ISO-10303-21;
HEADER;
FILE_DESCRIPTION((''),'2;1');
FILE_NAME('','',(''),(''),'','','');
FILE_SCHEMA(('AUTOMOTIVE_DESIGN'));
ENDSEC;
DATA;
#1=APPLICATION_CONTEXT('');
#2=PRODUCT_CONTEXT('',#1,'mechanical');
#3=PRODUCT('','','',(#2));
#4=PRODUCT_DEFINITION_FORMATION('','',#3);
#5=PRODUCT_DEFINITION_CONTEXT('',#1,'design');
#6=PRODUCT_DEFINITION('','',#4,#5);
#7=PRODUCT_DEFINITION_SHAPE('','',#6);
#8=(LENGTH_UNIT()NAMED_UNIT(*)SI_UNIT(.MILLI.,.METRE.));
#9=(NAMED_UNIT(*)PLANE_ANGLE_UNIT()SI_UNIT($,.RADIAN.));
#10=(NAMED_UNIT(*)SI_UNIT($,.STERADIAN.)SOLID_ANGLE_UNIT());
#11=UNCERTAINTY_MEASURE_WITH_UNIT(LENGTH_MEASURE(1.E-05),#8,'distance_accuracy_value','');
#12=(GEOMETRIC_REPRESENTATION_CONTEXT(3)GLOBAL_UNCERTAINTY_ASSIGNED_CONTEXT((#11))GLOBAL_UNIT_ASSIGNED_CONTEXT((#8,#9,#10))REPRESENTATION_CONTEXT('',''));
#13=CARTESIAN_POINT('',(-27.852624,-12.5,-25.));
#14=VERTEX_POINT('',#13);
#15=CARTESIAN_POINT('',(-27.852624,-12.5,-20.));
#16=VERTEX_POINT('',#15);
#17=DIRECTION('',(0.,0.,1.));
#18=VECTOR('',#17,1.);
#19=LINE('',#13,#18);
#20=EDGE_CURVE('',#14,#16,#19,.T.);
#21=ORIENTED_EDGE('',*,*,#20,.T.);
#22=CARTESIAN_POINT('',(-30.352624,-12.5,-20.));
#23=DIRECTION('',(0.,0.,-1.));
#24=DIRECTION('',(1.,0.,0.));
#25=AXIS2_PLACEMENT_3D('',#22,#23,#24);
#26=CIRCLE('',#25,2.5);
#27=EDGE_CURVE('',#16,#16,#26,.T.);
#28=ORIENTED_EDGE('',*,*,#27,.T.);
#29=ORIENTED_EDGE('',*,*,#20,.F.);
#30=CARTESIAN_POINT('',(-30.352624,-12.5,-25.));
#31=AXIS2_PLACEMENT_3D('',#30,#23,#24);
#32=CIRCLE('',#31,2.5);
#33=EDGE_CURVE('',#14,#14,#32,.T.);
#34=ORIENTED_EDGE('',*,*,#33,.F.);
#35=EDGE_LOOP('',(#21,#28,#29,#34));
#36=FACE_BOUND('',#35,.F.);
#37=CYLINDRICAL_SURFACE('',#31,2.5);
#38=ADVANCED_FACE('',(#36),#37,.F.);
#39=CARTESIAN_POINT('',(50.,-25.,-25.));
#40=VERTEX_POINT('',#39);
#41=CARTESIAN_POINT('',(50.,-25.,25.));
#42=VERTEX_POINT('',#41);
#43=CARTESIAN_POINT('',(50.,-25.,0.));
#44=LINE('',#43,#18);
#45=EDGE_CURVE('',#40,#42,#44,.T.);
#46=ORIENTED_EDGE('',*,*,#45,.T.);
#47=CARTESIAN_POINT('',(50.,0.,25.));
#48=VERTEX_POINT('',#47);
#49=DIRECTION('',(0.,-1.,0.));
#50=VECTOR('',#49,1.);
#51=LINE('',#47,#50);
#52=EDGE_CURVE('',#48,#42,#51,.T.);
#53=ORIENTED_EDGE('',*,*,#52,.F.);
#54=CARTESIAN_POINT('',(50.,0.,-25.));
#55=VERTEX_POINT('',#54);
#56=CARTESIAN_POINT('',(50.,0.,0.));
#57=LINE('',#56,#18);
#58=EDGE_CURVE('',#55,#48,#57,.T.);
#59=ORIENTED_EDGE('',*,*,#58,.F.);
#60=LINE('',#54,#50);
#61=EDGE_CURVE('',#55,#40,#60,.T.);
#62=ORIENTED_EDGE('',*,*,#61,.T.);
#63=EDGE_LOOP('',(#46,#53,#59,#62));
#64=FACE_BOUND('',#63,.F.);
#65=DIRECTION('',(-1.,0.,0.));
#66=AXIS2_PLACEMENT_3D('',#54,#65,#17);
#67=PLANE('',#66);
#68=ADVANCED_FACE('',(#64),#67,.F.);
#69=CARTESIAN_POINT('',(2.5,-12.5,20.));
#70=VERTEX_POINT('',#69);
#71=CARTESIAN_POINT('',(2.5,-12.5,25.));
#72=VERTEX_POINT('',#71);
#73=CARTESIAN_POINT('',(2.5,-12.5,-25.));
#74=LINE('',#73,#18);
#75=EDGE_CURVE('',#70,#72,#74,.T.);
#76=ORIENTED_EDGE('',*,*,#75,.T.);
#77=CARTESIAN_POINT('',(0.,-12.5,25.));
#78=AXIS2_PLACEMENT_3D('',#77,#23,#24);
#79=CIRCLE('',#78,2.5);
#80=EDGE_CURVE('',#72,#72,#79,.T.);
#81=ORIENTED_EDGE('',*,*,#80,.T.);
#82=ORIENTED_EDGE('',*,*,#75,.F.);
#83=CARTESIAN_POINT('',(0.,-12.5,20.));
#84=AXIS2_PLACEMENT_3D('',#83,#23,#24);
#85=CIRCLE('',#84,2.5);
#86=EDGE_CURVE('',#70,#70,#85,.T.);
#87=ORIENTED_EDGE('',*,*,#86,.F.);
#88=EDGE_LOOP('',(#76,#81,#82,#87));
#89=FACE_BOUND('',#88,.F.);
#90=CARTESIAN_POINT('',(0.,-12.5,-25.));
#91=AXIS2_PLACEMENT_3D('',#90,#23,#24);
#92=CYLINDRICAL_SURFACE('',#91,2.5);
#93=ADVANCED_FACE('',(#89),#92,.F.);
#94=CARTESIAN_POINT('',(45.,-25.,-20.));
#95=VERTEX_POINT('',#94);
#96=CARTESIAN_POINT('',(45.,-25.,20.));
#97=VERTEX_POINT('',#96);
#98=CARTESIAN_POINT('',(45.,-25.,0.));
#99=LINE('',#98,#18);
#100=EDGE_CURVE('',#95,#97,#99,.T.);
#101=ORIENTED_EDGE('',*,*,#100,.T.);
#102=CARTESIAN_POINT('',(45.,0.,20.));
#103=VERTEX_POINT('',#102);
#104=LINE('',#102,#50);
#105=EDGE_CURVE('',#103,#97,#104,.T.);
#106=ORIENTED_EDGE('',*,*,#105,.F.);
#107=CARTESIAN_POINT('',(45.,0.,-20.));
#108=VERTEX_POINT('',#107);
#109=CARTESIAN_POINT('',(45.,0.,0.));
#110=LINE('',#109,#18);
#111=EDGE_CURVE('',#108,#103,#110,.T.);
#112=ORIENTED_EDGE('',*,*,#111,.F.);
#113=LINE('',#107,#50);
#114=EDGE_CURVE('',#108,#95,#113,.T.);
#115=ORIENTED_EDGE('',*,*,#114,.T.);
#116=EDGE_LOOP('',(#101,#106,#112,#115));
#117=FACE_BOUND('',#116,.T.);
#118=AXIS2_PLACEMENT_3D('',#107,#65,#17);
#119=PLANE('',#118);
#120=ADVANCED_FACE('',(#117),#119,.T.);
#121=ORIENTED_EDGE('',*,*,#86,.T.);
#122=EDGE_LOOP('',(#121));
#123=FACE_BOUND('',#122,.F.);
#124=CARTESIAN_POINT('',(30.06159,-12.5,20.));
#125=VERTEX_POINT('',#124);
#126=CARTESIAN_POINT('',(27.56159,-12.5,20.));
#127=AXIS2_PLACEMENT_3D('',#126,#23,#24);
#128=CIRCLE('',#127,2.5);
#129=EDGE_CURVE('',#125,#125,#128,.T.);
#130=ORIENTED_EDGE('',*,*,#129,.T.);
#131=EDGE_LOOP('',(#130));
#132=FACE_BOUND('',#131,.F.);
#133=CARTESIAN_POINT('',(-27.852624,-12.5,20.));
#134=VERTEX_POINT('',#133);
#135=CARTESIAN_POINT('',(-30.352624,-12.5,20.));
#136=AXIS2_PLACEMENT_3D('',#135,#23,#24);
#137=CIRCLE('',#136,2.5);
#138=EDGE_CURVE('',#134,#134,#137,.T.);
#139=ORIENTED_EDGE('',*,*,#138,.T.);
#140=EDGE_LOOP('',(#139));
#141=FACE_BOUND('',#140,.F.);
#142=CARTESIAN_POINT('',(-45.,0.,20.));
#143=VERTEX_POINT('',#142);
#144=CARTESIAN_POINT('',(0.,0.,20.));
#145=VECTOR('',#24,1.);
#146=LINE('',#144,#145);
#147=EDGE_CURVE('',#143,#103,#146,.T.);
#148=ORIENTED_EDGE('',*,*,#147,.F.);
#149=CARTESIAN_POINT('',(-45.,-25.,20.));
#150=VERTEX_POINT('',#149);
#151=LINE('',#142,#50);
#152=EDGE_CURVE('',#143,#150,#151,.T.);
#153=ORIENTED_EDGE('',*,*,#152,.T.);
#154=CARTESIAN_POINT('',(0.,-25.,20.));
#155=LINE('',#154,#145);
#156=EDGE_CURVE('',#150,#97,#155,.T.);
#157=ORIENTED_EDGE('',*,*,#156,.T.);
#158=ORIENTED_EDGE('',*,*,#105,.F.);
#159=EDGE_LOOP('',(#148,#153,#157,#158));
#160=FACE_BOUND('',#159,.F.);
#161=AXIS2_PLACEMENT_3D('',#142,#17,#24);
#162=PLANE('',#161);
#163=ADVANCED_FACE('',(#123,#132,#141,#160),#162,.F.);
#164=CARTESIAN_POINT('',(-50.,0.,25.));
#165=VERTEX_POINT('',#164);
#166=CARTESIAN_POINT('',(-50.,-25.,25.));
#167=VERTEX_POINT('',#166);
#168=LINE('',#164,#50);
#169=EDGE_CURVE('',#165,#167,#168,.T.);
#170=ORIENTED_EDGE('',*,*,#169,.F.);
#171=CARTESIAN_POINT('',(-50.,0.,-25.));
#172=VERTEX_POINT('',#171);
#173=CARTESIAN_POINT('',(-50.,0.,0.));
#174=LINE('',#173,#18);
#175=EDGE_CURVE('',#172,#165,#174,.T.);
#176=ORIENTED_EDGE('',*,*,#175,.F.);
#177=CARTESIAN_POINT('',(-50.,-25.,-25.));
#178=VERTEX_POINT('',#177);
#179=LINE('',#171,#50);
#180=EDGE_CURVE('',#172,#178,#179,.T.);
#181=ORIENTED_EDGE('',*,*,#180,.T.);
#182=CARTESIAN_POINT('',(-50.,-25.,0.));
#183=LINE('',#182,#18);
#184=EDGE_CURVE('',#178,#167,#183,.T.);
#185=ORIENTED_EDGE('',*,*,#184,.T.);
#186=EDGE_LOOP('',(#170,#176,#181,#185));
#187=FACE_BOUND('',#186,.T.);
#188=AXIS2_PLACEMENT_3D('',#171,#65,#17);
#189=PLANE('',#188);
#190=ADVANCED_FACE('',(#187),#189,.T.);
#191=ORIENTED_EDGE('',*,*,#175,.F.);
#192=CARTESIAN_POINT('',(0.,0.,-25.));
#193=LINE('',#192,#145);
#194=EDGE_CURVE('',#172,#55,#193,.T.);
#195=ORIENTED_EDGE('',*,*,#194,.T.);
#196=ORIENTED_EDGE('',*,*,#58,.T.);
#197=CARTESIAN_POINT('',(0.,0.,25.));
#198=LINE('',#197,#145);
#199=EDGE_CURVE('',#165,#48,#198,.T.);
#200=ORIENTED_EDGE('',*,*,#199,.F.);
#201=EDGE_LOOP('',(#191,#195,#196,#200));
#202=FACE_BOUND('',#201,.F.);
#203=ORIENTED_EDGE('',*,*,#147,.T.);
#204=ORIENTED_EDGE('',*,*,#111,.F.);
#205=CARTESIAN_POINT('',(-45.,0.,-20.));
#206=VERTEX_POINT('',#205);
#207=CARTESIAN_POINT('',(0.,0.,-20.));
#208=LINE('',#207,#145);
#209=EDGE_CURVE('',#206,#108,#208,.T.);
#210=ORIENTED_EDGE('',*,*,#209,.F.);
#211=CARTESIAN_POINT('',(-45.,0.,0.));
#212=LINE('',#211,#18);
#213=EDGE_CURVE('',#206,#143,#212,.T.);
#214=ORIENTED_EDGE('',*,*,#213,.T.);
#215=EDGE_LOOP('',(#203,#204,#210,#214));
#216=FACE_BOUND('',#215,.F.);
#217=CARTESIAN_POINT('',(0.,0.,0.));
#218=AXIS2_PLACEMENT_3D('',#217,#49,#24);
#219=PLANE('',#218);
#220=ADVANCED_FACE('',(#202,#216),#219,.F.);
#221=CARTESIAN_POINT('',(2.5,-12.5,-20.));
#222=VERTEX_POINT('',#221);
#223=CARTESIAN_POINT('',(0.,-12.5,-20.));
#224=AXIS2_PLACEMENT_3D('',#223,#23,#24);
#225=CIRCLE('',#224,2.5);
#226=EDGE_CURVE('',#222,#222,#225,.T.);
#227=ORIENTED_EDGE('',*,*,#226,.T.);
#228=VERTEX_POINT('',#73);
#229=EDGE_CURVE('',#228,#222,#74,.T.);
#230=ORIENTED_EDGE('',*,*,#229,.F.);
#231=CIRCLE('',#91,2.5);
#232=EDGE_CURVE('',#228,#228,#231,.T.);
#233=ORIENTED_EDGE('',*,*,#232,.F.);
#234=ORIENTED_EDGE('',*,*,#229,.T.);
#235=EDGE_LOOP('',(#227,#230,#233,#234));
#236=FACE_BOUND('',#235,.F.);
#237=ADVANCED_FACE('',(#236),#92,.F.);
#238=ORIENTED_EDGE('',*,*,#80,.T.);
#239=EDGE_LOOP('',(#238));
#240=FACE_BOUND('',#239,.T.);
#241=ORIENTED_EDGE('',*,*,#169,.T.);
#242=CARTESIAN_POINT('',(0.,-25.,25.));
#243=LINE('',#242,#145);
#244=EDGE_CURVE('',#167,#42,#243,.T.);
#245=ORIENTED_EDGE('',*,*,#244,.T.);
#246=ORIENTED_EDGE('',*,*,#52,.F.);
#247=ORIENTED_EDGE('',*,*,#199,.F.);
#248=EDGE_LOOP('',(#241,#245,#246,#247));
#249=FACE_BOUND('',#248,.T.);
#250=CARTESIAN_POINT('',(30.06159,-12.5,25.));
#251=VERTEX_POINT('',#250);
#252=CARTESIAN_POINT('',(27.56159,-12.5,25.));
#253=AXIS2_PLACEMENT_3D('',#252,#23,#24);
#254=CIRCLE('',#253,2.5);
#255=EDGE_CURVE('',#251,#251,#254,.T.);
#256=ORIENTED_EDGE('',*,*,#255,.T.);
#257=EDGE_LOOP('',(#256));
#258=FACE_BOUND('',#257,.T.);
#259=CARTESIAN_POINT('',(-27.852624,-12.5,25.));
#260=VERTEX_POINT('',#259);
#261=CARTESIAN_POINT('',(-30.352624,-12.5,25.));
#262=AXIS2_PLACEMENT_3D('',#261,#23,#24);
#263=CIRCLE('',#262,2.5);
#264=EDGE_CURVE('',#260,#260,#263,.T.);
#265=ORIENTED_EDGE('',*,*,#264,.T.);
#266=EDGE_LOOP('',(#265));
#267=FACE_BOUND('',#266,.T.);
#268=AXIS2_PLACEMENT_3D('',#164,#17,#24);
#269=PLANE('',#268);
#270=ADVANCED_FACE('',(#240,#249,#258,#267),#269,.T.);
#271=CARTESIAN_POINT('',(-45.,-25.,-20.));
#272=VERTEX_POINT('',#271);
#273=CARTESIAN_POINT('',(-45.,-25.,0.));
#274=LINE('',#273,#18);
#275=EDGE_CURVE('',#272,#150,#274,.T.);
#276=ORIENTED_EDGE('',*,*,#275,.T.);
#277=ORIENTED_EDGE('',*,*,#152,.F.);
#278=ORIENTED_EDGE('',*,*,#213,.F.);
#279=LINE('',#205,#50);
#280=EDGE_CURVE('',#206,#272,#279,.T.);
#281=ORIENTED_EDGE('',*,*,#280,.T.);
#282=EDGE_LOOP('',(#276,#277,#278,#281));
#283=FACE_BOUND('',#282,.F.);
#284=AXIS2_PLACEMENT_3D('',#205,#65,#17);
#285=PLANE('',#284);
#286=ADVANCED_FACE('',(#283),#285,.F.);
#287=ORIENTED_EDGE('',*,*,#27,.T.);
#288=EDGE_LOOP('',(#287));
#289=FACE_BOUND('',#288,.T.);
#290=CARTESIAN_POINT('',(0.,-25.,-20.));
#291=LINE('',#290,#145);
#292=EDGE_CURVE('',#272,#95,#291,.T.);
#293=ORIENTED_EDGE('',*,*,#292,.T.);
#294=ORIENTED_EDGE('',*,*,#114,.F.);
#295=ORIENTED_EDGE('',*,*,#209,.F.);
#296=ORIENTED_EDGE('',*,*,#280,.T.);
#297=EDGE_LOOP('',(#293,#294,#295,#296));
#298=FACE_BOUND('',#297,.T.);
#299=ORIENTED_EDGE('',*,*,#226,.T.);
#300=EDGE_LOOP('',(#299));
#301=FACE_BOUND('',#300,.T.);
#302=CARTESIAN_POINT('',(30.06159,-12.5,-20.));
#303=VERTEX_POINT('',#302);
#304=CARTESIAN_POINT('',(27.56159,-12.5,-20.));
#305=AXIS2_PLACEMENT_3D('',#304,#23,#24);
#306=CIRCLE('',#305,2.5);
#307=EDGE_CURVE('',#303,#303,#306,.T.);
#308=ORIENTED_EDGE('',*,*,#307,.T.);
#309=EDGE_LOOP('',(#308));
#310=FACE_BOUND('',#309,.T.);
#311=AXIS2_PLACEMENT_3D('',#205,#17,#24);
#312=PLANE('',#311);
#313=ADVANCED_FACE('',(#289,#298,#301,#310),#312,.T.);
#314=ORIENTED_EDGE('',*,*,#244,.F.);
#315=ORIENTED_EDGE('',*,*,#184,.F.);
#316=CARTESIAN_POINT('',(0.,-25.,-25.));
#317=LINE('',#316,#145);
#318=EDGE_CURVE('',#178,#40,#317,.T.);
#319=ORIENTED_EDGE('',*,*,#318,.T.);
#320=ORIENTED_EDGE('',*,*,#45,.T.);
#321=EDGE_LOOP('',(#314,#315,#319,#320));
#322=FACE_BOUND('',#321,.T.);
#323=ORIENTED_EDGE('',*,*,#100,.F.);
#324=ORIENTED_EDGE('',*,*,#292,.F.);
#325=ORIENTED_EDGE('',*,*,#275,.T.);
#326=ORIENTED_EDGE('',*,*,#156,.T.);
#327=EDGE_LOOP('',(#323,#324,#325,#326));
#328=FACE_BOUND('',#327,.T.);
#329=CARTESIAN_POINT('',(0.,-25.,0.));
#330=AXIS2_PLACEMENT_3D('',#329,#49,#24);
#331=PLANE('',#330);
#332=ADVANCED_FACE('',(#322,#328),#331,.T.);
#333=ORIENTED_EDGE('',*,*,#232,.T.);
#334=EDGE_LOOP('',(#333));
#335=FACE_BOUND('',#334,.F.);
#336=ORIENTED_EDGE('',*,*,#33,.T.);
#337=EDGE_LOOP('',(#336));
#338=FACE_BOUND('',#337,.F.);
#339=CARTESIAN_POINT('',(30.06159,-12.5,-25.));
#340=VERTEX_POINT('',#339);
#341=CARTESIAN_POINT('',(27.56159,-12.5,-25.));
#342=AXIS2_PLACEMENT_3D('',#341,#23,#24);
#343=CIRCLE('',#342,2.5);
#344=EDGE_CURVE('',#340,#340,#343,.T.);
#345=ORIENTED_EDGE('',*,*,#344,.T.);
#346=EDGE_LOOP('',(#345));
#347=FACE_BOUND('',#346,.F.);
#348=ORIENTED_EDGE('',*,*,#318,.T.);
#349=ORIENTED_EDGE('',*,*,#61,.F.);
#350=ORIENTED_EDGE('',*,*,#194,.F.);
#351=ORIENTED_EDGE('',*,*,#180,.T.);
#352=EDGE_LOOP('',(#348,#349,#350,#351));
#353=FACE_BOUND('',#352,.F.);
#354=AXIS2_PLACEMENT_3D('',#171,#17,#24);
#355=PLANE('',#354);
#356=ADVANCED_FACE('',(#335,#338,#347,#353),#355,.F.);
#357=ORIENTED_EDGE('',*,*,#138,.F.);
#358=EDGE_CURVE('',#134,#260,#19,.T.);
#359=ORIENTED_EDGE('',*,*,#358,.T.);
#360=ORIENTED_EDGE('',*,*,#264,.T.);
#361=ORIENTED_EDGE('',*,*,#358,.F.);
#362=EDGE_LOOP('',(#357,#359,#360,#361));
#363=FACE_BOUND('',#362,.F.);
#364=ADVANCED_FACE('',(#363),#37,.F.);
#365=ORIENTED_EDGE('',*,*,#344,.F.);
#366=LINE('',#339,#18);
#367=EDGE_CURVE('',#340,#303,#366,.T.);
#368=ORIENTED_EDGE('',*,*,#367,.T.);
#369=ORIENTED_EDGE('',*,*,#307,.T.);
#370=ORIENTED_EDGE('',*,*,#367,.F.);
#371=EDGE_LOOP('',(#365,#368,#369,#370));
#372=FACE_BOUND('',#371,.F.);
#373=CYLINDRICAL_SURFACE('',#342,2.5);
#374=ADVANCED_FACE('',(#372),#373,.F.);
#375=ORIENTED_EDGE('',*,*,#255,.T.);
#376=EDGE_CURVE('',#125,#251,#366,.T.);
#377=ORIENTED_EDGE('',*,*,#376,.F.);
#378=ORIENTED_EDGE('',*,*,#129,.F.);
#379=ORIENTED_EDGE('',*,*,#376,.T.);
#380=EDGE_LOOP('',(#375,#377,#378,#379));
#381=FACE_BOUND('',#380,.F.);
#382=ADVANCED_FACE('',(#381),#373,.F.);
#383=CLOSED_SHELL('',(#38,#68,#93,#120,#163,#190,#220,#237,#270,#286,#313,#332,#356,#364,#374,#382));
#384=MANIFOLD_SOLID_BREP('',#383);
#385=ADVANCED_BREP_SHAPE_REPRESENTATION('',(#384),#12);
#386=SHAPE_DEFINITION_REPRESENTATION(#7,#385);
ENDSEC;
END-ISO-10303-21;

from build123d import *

# Parameters (mm, degrees)
F0_W     = 100
F0_H     = 50
F0_W_2   = 90
F0_H_2   = 40
F1_DEPTH = 25
F2_R     = 2.5
F3_DEPTH = 50.001


with BuildPart() as f1:
    # F0 (on Front) → F1 (new body)
    with BuildSketch(Plane.XZ):
        Rectangle(F0_W, F0_H)
        Rectangle(F0_W_2, F0_H_2, mode=Mode.SUBTRACT)
    extrude(amount=F1_DEPTH)

    # F2 (on face) → F3 (cut, through all)
    with BuildSketch(Plane(origin=(0, 0, -25), x_dir=(1, 0, 0), z_dir=(0, 0, -1))):
        with Locations((0, 12.5)):
            Circle(F2_R)
        with Locations((-30.352624, 12.5)):
            Circle(F2_R)
        with Locations((27.56159, 12.5)):
            Circle(F2_R)
    extrude(amount=-F3_DEPTH, mode=Mode.SUBTRACT)


solid = f1.part
